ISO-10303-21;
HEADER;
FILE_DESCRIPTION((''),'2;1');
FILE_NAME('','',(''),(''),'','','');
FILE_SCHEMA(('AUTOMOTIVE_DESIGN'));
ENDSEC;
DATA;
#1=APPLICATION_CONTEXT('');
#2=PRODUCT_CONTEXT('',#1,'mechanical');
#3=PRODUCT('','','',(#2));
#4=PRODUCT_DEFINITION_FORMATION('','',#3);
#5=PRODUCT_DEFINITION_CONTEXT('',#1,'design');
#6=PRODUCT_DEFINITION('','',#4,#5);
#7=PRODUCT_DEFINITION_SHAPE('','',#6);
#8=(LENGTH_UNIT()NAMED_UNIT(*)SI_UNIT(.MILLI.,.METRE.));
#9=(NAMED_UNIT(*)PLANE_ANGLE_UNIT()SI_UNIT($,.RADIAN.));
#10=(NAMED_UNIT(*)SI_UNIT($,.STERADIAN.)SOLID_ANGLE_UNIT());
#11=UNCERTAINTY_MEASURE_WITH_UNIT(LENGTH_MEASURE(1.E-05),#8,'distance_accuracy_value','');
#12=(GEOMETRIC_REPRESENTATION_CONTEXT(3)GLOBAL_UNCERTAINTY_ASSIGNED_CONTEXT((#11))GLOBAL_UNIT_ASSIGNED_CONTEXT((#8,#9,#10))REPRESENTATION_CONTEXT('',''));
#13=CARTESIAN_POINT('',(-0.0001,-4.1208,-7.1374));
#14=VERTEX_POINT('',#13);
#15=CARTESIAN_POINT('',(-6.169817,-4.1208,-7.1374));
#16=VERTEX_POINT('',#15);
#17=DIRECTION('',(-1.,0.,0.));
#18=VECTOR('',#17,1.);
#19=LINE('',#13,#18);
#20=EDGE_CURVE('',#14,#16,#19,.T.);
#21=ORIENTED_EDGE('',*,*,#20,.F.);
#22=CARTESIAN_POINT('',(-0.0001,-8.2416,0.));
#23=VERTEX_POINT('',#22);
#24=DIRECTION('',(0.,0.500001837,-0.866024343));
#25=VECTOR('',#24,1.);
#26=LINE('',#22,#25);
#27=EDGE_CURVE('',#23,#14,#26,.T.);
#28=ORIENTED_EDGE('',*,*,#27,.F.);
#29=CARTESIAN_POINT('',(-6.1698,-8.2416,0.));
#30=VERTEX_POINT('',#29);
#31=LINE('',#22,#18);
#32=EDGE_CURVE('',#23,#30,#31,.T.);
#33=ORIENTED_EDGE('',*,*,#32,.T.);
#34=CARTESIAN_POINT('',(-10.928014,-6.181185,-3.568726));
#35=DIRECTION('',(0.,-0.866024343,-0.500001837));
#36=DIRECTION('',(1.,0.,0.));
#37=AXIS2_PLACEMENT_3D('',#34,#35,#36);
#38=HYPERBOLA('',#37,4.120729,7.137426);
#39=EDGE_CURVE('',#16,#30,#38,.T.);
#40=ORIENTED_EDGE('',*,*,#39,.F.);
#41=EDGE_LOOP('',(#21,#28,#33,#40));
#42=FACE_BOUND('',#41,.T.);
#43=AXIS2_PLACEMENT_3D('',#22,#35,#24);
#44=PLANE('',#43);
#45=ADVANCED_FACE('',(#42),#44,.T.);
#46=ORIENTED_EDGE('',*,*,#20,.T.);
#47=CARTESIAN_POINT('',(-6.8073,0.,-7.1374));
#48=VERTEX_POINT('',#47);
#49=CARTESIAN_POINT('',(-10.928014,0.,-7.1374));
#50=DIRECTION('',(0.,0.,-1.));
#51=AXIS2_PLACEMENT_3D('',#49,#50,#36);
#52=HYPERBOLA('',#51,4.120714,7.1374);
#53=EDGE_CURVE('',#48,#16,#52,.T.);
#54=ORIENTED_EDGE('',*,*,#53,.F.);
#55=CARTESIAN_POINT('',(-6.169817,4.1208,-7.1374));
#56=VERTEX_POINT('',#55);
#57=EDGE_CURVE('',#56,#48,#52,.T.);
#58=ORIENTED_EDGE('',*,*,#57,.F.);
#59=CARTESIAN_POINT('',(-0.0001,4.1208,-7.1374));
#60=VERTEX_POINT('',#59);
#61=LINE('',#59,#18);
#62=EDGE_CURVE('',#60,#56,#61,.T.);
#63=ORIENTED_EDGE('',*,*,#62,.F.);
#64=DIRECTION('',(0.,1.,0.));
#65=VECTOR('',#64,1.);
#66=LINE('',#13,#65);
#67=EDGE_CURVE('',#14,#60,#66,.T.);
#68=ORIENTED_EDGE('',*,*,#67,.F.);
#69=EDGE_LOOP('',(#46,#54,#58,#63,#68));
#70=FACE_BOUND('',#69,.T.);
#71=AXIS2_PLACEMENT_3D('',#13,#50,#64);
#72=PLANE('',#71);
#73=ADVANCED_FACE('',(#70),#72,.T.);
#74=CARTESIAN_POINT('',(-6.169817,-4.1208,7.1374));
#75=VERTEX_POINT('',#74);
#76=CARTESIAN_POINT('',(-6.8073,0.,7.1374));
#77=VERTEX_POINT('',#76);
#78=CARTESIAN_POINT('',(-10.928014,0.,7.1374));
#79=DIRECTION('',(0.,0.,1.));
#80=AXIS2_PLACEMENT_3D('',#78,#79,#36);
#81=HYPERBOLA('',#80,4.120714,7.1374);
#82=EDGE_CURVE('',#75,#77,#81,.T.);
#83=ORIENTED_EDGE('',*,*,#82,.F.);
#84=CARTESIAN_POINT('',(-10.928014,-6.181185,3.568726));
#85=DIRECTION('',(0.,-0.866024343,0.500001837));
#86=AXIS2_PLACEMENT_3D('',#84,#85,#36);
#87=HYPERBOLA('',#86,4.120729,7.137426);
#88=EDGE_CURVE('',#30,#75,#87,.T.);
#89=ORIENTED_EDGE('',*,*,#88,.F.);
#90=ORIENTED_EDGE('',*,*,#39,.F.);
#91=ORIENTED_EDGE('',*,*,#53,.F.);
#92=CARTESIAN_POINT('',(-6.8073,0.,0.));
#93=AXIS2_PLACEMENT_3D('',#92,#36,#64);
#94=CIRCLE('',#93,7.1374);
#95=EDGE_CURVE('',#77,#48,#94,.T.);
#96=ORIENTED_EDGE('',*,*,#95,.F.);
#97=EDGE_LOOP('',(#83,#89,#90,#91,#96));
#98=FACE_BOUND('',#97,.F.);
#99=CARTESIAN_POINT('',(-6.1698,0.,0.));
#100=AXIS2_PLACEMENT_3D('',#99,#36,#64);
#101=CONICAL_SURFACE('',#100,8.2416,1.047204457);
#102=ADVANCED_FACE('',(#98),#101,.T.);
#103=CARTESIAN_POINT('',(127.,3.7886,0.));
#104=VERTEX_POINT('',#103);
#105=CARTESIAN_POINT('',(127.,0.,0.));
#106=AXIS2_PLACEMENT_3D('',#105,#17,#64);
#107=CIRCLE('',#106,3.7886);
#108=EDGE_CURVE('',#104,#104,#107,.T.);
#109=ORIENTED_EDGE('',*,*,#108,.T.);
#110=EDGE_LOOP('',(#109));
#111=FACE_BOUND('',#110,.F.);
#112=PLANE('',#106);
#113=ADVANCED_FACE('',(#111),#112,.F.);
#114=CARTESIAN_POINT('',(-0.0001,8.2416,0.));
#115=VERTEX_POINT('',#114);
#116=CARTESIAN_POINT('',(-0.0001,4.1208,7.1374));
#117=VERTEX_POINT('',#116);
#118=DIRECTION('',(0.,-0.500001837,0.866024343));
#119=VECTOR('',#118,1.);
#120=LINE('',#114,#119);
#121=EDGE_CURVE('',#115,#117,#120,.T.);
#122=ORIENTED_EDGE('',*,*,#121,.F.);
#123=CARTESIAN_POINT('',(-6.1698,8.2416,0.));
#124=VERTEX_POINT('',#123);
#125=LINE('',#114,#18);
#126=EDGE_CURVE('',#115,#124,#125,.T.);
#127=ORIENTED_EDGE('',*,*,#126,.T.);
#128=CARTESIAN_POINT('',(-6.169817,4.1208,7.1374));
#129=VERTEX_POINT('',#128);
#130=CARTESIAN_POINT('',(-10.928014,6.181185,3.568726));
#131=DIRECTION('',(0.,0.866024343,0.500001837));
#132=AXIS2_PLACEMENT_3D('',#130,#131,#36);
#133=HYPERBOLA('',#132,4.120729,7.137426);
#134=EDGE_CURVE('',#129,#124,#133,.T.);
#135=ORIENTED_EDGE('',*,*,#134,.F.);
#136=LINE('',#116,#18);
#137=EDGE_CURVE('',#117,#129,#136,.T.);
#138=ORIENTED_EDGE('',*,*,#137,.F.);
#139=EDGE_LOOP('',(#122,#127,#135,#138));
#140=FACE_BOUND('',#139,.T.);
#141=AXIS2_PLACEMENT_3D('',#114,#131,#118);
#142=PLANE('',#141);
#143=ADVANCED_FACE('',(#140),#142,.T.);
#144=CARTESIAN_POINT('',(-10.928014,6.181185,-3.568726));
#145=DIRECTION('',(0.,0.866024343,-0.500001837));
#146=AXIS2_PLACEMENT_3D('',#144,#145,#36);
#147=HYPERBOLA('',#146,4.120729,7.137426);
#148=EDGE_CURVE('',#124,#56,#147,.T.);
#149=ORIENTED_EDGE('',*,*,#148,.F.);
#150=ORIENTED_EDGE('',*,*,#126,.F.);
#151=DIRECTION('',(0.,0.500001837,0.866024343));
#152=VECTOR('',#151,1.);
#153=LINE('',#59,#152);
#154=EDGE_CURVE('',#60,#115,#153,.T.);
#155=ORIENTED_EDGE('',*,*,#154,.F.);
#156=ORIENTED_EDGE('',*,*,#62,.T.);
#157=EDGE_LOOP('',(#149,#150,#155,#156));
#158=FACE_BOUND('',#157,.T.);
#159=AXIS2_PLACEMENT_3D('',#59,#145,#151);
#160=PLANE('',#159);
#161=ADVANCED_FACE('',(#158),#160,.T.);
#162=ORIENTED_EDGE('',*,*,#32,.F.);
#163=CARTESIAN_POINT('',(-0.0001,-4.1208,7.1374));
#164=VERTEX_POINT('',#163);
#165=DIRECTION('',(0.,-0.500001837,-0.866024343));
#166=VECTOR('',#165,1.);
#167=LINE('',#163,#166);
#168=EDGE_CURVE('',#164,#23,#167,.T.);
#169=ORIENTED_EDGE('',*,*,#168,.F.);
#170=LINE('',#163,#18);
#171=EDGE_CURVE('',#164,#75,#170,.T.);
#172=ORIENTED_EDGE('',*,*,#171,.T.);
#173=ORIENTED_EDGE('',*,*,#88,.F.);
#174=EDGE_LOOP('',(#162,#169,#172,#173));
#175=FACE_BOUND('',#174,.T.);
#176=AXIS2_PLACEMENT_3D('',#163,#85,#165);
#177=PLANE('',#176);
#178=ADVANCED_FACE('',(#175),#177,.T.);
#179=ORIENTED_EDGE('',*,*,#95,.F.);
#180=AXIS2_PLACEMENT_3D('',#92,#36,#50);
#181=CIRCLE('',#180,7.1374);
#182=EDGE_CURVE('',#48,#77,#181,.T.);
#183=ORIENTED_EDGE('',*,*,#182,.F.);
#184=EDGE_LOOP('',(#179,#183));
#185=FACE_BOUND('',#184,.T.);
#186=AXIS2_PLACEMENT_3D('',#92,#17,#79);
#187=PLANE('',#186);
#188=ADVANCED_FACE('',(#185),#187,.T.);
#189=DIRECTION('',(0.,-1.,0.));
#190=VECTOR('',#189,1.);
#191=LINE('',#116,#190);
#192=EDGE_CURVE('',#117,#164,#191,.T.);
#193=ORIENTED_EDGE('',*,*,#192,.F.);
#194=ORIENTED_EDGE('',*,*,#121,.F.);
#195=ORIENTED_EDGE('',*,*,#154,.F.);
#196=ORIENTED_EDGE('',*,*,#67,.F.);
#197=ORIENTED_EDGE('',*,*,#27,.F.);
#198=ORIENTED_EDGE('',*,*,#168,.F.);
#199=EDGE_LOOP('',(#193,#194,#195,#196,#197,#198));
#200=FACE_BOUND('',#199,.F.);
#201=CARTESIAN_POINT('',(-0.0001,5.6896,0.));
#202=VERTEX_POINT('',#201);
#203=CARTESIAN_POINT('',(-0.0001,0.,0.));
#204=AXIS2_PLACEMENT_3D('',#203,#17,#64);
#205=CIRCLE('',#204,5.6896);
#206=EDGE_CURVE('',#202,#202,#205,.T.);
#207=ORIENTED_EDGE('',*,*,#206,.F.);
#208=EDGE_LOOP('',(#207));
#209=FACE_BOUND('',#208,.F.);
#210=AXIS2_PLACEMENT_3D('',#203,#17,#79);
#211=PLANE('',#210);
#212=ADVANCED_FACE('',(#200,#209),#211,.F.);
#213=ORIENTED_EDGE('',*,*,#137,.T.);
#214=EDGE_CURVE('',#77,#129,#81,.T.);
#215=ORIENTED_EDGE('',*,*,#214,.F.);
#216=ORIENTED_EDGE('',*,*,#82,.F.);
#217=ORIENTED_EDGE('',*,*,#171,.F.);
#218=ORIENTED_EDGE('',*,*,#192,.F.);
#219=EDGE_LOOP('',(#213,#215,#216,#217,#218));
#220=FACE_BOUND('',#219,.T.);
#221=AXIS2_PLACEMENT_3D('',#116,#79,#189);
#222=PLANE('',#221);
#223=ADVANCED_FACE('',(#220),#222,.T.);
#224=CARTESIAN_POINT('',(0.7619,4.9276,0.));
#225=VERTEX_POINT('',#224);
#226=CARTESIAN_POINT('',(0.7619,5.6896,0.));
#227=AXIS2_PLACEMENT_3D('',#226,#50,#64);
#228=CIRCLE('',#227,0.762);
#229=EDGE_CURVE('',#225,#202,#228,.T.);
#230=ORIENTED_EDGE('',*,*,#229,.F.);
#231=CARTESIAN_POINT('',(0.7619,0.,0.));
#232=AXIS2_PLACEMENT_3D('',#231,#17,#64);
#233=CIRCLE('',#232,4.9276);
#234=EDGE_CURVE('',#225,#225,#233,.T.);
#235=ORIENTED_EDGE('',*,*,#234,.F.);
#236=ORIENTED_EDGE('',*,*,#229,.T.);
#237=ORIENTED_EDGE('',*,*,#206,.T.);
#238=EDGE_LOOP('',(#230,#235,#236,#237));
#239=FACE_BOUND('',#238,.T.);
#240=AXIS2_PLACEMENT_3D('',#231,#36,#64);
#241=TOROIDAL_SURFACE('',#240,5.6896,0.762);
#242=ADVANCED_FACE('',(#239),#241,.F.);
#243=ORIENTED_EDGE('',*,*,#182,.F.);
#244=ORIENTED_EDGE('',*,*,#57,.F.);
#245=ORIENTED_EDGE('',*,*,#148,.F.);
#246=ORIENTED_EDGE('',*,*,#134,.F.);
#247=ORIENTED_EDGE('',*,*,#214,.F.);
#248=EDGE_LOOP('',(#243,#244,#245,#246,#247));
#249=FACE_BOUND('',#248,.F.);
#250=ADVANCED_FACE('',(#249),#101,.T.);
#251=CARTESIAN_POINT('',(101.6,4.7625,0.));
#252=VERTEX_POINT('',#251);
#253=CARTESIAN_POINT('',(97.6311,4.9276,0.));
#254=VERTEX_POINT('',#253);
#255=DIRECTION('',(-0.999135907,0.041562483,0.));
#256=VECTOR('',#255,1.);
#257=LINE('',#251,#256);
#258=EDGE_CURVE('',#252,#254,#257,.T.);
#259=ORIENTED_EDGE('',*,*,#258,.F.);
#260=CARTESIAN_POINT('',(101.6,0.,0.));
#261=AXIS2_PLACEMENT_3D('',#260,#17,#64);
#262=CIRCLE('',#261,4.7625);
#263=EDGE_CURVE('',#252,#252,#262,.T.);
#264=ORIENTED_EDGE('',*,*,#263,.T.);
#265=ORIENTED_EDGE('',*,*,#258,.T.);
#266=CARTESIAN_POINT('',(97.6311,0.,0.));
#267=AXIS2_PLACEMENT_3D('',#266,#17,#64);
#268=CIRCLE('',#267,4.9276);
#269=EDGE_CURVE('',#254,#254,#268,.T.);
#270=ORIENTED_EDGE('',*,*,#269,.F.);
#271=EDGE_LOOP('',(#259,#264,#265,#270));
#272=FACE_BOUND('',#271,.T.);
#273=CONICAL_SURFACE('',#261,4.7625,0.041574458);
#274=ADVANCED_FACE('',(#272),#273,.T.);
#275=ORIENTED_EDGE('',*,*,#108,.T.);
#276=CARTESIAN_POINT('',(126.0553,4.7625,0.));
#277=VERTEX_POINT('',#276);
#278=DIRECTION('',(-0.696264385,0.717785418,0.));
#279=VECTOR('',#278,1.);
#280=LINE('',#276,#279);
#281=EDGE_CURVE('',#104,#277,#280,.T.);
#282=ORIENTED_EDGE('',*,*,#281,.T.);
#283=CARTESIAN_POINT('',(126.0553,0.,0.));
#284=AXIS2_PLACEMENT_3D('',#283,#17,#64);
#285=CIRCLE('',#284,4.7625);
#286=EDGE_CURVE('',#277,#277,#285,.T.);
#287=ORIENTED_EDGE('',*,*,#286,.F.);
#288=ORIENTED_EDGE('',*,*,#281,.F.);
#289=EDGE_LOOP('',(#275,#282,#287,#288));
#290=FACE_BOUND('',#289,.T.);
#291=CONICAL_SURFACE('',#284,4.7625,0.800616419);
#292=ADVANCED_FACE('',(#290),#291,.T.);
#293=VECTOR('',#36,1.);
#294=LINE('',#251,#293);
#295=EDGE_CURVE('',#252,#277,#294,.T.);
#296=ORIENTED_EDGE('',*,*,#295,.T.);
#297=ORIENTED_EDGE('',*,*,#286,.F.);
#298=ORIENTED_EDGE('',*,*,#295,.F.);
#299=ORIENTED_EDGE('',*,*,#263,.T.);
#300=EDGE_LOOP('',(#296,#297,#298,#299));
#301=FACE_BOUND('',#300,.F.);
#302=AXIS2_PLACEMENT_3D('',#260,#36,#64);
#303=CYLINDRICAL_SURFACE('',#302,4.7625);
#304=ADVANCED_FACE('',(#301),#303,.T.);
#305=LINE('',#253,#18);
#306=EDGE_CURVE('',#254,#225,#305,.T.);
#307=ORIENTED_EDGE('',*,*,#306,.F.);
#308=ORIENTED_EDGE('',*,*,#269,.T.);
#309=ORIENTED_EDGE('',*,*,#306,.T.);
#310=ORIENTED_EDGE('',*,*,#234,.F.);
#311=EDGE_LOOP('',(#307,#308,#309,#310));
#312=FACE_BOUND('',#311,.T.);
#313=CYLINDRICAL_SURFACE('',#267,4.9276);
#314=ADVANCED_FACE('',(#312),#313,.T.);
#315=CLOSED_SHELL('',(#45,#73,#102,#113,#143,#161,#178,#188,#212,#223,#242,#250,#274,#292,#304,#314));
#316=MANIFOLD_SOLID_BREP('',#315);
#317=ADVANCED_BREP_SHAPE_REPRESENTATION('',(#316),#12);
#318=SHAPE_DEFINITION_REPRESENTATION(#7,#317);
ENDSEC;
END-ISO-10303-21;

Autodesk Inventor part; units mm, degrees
ref_plane "YZ Plane" through (0, 0, 0) normal (1, 0, 0) x (0, 1, 0)
ref_plane "XZ Plane" through (0, 0, 0) normal (0, 1, 0) x (-1, 0, 0)
sketch "Sketch1" plane through (0, 0, 0) normal (0, 0, 1) x (1, 0, 0)
  line L0 (0, 7.1374) -> (0, 4.9276)
  line L1 (101.6, 4.7625) -> (127, 4.7625)
  line L2 (127, 4.7625) -> (127, 0)
  line L3 (127, 0) -> (-0.0001, 0)
  line L4 (-25.4001, 0) -> (152.4, 0) projected
  line L5 (-0.0001, 0) -> (-0.0001, 7.1374)
  line L6 (-0.0001, 7.1374) -> (0, 7.1374)
  line L7 (101.6, 4.7625) -> (97.6311, 4.9276)
  line L8 (97.6311, 4.9276) -> (0, 4.9276)
  line L9 (0, -1.4275) -> (0, 8.5649) projected
  dimension "d0" = 127
  dimension "d1" = 25.4
  dimension "d2" = 9.525
  dimension "d9" = 0.0001
  dimension "d10" = 14.2748
  dimension "d13" = 3.9689
  dimension "d14" = 9.8552
revolve "Body" add sketch "Sketch1" angle 360 about axis through (127, 0, 0) along (-1, 0, 0)
sketch "Sketch2" plane through (-0.0001, 0, 0) normal (-1, 0, 0) x (0, 0, 1)
  line L0 (0, 8.2416) -> (7.1374, 4.1208)
  line L1 (7.1374, 4.1208) -> (7.1374, -4.1208)
  line L2 (7.1374, -4.1208) -> (0, -8.2416)
  line L3 (0, -8.2416) -> (-7.1374, -4.1208)
  line L4 (-7.1374, -4.1208) -> (-7.1374, 4.1208)
  line L5 (-7.1374, 4.1208) -> (0, 8.2416)
  point P0 (0, 0)
  point P1 (0, 0)
  dimension "d11" = 14.2748
extrude "Head" add sketch "Sketch2" along normal blind 6.8072
sketch "Sketch4" plane through (0, 0, 0) normal (0, 0, 1) x (1, 0, 0)
  line L0 (-6.8073, 7.1374) -> (-6.8073, 8.2416)
  line L1 (-6.8073, 8.2416) -> (-6.1698, 8.2416)
  line L2 (-6.1698, 8.2416) -> (-6.8073, 7.1374)
  line L3 (-8.1687, 0) -> (1.3613, 0) projected
  line L4 (-0.0001, 8.2416) -> (-6.8073, 8.2416) projected
  line L5 (-6.8073, 4.1208) -> (-6.8073, 8.2416) projected
  dimension "d5" = 30
  dimension "d19" = 14.2748
revolve "Chamfer1" cut sketch "Sketch4" angle 360 about axis through (-10, 0, 0) along (1, 0, 0)
thread "Thread" size "3/8-16 UNC" class "2A" standard "ANSI Unified Screw Threads" length 25.4
chamfer "Chamfer2" distance 0.9739 distance2 0.9447 1 edges at (127, -4.7625, 0) measured on face at (127, -1.1883, 1.0527)
ref_plane "Work Plane1" through (1.525, 0, 0) normal (0, 0, 1) x (1, 0, 0)
fillet "Fillet2" radius 0.762 1 edges at (0, -4.9276, 0)
equation "\"d0\" = NLG"
equation "\"d1\" = GEL"
equation "\"d2\" = GD"
equation "\"d10\" = SD2"
equation "\"d14\" = BDM"
equation "\"d11\" = SW"
equation "\"d3\" = KOH - SD"
equation "\"d5\" = ANG1"
equation "\"d19\" = SW0"
equation "\"d63\" = R"
equation "\"d15\" = GEL"
equation "\"d6\" = -0.5 * SPD + 0.5 * GD"
equation "\"NLG\" = 127"
equation "\"GD\" = NND"
equation "\"BDM\" = 9.8552"
equation "\"KOH\" = 6.8072"
equation "\"GEL\" = 25.4"
equation "\"SW\" = 14.2748"
equation "\"SW0\" = SW"
equation "\"SPD\" = GD1"
equation "\"SD2\" = SW"
equation "\"SD\" = 0"
equation "\"ANG1\" = 30deg"
equation "\"GAL\" = 3.96875"
equation "\"GUL\" = 0.238 * GAL"
equation "\"R\" = 0.762"
equation "\"d62\" = -NLG - SD + GUL"
equation "\"GD1\" = 7.5773"
equation "\"THREADDIA\" = 9.525"
equation "\"TOA\" = 30deg"
equation "\"NND\" = 9.525"
equation "\"E0\" = 1.155 * SW"
properties part number "ANSI/ASME B18.2.1 - 3/8-16 UNC - 5, HBI" material "Steel, Mild"
